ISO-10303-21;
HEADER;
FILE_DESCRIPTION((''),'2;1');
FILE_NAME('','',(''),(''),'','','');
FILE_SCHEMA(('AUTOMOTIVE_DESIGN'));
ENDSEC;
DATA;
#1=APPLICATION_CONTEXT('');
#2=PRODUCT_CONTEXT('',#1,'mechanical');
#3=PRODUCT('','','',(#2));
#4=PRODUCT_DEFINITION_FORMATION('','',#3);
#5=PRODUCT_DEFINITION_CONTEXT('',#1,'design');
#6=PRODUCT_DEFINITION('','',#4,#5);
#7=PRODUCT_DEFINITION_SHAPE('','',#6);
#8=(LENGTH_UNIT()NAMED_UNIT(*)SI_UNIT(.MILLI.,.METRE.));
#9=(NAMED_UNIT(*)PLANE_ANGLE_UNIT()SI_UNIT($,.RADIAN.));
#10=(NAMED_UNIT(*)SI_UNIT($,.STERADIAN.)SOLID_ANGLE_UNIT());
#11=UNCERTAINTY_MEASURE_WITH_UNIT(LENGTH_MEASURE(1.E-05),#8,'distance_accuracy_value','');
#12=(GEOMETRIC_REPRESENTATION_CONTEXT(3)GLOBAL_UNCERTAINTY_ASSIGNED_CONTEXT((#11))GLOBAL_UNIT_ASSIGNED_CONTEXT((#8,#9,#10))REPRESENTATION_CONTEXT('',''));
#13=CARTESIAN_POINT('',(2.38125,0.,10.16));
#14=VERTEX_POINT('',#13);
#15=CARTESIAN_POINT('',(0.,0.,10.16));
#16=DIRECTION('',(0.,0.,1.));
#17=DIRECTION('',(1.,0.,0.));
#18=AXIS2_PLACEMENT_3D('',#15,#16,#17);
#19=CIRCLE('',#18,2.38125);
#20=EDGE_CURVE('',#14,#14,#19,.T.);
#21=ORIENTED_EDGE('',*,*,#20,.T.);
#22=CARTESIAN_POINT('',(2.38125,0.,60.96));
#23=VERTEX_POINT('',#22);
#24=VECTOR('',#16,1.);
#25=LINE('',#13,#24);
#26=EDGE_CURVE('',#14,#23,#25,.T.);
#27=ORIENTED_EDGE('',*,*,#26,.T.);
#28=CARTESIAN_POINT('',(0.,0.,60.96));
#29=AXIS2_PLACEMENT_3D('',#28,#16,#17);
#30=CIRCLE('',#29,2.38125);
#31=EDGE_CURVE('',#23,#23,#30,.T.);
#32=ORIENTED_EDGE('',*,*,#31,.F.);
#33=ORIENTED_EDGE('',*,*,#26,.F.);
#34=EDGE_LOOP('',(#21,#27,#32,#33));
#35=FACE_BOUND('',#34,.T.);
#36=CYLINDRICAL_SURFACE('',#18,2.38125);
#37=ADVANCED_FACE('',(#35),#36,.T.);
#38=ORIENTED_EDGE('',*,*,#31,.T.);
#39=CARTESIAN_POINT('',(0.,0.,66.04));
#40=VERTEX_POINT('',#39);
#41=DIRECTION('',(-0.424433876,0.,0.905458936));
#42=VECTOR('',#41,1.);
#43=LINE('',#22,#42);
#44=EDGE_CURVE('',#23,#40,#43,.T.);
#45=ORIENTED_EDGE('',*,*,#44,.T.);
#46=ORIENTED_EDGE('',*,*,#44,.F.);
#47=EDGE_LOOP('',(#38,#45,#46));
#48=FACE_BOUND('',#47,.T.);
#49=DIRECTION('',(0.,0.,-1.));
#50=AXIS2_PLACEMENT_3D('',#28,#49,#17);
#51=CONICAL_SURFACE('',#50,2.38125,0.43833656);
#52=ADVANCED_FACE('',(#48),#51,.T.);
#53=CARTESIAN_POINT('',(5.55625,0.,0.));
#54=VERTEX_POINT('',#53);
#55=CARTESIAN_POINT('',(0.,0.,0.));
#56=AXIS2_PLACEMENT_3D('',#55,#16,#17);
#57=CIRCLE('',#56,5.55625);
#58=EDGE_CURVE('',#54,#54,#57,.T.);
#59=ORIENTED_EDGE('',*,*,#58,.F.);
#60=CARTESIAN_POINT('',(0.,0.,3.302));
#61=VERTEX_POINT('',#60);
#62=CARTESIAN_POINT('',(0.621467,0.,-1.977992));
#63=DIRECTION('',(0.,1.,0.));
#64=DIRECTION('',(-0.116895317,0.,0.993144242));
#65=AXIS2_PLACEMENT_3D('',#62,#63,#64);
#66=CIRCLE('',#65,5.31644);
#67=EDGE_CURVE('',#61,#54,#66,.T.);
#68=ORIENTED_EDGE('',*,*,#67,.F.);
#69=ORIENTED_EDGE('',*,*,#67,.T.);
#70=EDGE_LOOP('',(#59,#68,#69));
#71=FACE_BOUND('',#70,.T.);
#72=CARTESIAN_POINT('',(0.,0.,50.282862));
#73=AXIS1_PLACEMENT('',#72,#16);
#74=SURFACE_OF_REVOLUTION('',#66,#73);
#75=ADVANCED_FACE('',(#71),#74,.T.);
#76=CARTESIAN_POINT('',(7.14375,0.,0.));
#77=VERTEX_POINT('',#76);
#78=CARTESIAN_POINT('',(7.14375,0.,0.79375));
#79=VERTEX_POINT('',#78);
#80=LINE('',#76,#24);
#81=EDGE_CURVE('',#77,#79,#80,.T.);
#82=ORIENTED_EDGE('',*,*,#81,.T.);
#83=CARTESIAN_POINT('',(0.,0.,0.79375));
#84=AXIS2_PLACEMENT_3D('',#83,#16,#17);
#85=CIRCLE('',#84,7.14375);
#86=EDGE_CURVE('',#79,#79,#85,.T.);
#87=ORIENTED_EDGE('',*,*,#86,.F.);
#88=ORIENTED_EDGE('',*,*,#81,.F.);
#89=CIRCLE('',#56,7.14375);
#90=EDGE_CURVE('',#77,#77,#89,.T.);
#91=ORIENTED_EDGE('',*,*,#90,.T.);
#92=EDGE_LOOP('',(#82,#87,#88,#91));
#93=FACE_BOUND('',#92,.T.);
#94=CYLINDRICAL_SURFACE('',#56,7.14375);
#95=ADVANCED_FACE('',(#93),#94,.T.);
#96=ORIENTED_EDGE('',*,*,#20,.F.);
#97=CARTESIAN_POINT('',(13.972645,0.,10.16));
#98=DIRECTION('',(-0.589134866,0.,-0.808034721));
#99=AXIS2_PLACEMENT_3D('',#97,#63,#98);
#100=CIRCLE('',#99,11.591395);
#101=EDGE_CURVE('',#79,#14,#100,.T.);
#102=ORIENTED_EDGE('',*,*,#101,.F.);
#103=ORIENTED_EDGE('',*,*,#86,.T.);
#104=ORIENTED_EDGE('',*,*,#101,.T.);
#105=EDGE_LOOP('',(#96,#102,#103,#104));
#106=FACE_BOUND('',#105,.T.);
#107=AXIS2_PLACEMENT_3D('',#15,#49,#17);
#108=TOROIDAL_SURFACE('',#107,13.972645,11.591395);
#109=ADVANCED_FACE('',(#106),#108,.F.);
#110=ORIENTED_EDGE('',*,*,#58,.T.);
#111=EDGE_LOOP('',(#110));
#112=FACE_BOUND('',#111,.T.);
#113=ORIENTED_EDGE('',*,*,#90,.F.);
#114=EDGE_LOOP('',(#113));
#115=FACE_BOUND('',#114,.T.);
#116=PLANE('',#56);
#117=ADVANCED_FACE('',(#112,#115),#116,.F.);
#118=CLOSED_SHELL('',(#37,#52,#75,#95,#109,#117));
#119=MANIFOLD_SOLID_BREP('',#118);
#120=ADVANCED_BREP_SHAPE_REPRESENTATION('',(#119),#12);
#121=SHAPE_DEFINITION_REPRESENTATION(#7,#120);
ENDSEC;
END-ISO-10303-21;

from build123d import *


with BuildPart() as f1:
    # F0 (on Front) → F1 (revolve)
    with BuildSketch(Plane.XZ):
        with BuildLine():
            ThreePointArc((0, 3.302), (3.337526, 2.592299), (5.55625, 0))
            Line((5.55625, 0), (7.14375, 0))
            Line((7.14375, 0), (7.14375, 0.79375))
            ThreePointArc((7.14375, 0.79375), (3.640248, 4.906238), (2.38125, 10.16))
            Line((2.38125, 10.16), (2.38125, 60.96))
            Line((2.38125, 60.96), (0, 66.04))
            Line((0, 66.04), (0, 3.302))
        make_face()
    revolve(axis=Axis((0, 0, 50.282862), (0, 0, 1)))


solid = f1.part
